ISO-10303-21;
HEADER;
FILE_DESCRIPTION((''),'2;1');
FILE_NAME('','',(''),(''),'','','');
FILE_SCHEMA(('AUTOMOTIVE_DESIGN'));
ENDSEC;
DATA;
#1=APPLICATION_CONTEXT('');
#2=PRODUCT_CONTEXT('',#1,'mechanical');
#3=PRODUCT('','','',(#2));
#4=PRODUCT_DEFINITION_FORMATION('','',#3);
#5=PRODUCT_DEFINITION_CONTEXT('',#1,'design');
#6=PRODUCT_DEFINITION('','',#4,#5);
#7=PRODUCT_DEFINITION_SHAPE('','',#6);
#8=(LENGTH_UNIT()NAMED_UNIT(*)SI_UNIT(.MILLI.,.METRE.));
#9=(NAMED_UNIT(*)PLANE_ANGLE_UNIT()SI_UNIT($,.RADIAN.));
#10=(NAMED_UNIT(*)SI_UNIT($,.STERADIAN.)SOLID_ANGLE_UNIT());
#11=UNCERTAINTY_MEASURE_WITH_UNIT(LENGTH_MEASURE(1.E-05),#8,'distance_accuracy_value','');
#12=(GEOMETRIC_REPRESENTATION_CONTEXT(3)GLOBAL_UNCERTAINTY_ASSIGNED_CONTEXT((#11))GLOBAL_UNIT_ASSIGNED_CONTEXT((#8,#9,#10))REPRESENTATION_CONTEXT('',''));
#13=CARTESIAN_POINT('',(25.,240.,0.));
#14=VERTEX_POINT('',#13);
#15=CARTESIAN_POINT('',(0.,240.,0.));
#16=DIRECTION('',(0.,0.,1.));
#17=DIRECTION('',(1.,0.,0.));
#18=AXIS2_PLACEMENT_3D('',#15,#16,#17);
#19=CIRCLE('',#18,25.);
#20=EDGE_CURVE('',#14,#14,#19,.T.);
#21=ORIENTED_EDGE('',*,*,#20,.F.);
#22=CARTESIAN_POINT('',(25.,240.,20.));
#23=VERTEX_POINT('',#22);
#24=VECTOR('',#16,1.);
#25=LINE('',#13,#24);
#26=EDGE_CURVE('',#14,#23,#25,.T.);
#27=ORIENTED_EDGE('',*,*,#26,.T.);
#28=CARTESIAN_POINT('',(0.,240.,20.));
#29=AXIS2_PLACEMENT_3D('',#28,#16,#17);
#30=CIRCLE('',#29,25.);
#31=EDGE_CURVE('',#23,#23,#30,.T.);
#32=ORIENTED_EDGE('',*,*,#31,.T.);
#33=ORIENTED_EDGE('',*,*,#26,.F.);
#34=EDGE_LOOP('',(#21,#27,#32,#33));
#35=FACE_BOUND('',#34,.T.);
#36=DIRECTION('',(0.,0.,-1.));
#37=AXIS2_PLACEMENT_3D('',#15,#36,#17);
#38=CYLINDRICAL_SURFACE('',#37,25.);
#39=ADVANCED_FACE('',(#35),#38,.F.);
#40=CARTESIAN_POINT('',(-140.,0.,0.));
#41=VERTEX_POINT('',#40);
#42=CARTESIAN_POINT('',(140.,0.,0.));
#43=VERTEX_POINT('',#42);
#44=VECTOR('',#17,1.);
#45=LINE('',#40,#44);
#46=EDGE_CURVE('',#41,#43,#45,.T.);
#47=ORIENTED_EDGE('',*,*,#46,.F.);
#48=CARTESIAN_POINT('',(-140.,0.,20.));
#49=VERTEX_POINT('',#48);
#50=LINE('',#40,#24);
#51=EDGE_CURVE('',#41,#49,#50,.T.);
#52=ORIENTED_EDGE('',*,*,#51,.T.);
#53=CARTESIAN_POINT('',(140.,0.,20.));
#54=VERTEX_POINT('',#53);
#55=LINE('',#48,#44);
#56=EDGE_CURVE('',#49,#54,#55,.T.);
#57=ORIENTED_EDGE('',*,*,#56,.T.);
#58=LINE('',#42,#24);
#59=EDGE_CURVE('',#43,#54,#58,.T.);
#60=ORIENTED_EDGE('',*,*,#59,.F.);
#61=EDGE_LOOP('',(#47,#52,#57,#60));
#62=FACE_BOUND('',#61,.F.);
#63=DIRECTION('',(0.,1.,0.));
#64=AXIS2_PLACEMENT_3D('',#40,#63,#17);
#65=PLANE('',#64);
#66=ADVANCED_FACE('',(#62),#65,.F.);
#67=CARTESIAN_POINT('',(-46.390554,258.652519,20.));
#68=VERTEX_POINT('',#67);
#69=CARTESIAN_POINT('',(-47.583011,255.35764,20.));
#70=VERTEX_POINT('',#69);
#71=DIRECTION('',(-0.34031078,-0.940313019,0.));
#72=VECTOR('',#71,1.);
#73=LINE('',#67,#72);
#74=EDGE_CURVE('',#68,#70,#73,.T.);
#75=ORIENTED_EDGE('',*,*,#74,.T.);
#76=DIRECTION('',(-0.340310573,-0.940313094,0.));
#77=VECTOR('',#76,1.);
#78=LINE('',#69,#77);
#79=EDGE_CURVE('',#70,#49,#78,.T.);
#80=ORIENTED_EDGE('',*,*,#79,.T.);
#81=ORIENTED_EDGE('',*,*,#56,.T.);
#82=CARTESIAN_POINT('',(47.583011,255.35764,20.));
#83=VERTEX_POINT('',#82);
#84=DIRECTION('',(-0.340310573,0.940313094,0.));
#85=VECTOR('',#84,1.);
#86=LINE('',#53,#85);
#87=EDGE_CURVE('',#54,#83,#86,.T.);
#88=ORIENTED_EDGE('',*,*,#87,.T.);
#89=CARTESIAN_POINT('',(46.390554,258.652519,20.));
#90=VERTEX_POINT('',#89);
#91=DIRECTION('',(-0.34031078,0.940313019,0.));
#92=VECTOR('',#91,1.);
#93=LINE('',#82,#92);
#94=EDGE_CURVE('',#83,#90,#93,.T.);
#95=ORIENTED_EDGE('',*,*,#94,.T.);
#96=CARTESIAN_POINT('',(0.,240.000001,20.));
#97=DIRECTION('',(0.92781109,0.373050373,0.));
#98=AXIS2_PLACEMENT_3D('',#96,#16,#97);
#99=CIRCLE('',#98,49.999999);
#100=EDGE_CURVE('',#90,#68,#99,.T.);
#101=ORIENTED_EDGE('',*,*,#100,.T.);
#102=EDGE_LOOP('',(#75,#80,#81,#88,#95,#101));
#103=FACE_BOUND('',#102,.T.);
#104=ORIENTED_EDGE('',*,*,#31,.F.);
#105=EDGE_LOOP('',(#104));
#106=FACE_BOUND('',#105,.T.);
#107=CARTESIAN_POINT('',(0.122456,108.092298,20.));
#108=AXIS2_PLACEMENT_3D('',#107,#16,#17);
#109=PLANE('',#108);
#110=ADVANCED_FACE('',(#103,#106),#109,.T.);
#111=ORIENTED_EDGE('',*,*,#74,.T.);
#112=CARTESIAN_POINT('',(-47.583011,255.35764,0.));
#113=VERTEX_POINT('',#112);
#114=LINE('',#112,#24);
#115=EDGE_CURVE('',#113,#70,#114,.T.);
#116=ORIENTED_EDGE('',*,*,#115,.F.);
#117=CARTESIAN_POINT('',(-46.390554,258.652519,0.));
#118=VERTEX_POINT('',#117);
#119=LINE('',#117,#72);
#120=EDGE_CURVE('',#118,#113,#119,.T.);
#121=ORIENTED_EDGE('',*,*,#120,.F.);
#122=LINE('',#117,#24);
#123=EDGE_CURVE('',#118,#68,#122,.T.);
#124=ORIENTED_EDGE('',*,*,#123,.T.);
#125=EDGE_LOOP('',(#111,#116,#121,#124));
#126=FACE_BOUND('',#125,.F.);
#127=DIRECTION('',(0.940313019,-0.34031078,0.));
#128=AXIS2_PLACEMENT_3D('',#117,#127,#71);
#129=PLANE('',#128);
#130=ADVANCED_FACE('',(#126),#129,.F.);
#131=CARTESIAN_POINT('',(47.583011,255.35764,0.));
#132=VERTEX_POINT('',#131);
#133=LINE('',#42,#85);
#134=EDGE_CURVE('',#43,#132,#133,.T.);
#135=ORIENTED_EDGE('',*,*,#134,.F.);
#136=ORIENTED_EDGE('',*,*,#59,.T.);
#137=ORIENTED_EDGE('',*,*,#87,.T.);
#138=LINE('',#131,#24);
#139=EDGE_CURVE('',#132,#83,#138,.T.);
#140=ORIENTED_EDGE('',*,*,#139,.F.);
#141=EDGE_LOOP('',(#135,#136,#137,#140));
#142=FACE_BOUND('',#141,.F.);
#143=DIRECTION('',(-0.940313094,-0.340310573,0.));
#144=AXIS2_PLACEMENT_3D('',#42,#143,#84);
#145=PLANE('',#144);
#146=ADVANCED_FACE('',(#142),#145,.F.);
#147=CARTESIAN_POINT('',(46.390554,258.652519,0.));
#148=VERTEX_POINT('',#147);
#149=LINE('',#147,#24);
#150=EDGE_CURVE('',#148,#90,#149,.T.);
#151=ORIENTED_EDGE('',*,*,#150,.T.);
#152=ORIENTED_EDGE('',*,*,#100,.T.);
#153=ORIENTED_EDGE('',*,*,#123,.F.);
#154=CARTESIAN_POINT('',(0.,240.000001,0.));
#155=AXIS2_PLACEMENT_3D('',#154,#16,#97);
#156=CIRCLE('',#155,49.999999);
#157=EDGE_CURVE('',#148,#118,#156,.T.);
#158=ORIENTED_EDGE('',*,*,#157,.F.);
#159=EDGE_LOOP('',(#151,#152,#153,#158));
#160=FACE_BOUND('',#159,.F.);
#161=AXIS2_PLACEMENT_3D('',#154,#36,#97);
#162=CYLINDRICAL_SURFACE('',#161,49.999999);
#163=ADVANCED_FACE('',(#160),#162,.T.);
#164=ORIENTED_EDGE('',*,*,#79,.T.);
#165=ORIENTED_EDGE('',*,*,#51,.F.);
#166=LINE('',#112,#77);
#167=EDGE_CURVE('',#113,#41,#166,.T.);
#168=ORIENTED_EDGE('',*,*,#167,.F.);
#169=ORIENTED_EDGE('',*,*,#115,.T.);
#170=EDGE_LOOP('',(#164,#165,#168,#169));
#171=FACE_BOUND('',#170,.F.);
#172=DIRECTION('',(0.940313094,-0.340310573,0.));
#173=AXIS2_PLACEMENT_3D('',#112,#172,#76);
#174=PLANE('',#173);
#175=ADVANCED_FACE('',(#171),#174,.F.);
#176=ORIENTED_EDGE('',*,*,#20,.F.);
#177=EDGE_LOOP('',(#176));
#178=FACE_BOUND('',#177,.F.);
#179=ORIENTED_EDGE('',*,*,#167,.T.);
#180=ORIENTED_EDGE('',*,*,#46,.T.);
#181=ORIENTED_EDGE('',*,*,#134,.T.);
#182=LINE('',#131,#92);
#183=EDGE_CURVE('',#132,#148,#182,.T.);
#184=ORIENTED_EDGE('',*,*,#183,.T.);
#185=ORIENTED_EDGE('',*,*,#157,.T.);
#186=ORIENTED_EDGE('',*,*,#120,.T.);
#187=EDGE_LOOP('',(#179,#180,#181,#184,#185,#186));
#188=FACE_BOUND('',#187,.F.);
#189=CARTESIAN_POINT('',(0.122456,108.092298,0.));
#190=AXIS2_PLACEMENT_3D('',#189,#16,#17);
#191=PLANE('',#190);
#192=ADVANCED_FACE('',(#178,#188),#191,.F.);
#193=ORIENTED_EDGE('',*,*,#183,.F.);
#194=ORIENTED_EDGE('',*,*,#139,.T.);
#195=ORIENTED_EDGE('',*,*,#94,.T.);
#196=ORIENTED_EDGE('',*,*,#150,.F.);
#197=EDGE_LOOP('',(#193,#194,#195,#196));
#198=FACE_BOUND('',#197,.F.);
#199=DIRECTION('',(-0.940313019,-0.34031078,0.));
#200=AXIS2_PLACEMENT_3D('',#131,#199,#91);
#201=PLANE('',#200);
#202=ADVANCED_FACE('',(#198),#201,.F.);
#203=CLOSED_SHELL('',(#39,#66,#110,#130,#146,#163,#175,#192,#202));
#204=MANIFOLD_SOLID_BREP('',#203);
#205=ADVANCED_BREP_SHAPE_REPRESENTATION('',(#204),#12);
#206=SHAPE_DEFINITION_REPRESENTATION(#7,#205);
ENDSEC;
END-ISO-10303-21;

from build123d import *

# Parameters (mm, degrees)
F0_R     = 25
F1_DEPTH = 20


with BuildPart() as f1:
    # F0 (on Top) → F1 (new body)
    with BuildSketch(Plane.XY):
        with BuildLine():
            Line((-140, 0), (0, 0))
            Line((0, 0), (140, 0))
            Line((140, 0), (47.583011, 255.35764))
            ThreePointArc((47.583011, 255.35764), (49.392057, 247.773335), (50, 240))
            ThreePointArc((50, 240), (-7.773335, 190.607943), (-47.583011, 255.35764))
            Line((-47.583011, 255.35764), (-140, 0))
        make_face()
        with BuildLine():
            ThreePointArc((50, 240), (49.392057, 247.773335), (47.583011, 255.35764))
            Line((47.583011, 255.35764), (46.390554, 258.652519))
            ThreePointArc((46.390554, 258.652519), (0, 290), (-46.390554, 258.652519))
            Line((-46.390554, 258.652519), (-47.583011, 255.35764))
            ThreePointArc((-47.583011, 255.35764), (-7.773335, 190.607943), (50, 240))
        make_face()
        with Locations((0, 240)):
            Circle(F0_R, mode=Mode.SUBTRACT)
    extrude(amount=F1_DEPTH)


solid = f1.part
